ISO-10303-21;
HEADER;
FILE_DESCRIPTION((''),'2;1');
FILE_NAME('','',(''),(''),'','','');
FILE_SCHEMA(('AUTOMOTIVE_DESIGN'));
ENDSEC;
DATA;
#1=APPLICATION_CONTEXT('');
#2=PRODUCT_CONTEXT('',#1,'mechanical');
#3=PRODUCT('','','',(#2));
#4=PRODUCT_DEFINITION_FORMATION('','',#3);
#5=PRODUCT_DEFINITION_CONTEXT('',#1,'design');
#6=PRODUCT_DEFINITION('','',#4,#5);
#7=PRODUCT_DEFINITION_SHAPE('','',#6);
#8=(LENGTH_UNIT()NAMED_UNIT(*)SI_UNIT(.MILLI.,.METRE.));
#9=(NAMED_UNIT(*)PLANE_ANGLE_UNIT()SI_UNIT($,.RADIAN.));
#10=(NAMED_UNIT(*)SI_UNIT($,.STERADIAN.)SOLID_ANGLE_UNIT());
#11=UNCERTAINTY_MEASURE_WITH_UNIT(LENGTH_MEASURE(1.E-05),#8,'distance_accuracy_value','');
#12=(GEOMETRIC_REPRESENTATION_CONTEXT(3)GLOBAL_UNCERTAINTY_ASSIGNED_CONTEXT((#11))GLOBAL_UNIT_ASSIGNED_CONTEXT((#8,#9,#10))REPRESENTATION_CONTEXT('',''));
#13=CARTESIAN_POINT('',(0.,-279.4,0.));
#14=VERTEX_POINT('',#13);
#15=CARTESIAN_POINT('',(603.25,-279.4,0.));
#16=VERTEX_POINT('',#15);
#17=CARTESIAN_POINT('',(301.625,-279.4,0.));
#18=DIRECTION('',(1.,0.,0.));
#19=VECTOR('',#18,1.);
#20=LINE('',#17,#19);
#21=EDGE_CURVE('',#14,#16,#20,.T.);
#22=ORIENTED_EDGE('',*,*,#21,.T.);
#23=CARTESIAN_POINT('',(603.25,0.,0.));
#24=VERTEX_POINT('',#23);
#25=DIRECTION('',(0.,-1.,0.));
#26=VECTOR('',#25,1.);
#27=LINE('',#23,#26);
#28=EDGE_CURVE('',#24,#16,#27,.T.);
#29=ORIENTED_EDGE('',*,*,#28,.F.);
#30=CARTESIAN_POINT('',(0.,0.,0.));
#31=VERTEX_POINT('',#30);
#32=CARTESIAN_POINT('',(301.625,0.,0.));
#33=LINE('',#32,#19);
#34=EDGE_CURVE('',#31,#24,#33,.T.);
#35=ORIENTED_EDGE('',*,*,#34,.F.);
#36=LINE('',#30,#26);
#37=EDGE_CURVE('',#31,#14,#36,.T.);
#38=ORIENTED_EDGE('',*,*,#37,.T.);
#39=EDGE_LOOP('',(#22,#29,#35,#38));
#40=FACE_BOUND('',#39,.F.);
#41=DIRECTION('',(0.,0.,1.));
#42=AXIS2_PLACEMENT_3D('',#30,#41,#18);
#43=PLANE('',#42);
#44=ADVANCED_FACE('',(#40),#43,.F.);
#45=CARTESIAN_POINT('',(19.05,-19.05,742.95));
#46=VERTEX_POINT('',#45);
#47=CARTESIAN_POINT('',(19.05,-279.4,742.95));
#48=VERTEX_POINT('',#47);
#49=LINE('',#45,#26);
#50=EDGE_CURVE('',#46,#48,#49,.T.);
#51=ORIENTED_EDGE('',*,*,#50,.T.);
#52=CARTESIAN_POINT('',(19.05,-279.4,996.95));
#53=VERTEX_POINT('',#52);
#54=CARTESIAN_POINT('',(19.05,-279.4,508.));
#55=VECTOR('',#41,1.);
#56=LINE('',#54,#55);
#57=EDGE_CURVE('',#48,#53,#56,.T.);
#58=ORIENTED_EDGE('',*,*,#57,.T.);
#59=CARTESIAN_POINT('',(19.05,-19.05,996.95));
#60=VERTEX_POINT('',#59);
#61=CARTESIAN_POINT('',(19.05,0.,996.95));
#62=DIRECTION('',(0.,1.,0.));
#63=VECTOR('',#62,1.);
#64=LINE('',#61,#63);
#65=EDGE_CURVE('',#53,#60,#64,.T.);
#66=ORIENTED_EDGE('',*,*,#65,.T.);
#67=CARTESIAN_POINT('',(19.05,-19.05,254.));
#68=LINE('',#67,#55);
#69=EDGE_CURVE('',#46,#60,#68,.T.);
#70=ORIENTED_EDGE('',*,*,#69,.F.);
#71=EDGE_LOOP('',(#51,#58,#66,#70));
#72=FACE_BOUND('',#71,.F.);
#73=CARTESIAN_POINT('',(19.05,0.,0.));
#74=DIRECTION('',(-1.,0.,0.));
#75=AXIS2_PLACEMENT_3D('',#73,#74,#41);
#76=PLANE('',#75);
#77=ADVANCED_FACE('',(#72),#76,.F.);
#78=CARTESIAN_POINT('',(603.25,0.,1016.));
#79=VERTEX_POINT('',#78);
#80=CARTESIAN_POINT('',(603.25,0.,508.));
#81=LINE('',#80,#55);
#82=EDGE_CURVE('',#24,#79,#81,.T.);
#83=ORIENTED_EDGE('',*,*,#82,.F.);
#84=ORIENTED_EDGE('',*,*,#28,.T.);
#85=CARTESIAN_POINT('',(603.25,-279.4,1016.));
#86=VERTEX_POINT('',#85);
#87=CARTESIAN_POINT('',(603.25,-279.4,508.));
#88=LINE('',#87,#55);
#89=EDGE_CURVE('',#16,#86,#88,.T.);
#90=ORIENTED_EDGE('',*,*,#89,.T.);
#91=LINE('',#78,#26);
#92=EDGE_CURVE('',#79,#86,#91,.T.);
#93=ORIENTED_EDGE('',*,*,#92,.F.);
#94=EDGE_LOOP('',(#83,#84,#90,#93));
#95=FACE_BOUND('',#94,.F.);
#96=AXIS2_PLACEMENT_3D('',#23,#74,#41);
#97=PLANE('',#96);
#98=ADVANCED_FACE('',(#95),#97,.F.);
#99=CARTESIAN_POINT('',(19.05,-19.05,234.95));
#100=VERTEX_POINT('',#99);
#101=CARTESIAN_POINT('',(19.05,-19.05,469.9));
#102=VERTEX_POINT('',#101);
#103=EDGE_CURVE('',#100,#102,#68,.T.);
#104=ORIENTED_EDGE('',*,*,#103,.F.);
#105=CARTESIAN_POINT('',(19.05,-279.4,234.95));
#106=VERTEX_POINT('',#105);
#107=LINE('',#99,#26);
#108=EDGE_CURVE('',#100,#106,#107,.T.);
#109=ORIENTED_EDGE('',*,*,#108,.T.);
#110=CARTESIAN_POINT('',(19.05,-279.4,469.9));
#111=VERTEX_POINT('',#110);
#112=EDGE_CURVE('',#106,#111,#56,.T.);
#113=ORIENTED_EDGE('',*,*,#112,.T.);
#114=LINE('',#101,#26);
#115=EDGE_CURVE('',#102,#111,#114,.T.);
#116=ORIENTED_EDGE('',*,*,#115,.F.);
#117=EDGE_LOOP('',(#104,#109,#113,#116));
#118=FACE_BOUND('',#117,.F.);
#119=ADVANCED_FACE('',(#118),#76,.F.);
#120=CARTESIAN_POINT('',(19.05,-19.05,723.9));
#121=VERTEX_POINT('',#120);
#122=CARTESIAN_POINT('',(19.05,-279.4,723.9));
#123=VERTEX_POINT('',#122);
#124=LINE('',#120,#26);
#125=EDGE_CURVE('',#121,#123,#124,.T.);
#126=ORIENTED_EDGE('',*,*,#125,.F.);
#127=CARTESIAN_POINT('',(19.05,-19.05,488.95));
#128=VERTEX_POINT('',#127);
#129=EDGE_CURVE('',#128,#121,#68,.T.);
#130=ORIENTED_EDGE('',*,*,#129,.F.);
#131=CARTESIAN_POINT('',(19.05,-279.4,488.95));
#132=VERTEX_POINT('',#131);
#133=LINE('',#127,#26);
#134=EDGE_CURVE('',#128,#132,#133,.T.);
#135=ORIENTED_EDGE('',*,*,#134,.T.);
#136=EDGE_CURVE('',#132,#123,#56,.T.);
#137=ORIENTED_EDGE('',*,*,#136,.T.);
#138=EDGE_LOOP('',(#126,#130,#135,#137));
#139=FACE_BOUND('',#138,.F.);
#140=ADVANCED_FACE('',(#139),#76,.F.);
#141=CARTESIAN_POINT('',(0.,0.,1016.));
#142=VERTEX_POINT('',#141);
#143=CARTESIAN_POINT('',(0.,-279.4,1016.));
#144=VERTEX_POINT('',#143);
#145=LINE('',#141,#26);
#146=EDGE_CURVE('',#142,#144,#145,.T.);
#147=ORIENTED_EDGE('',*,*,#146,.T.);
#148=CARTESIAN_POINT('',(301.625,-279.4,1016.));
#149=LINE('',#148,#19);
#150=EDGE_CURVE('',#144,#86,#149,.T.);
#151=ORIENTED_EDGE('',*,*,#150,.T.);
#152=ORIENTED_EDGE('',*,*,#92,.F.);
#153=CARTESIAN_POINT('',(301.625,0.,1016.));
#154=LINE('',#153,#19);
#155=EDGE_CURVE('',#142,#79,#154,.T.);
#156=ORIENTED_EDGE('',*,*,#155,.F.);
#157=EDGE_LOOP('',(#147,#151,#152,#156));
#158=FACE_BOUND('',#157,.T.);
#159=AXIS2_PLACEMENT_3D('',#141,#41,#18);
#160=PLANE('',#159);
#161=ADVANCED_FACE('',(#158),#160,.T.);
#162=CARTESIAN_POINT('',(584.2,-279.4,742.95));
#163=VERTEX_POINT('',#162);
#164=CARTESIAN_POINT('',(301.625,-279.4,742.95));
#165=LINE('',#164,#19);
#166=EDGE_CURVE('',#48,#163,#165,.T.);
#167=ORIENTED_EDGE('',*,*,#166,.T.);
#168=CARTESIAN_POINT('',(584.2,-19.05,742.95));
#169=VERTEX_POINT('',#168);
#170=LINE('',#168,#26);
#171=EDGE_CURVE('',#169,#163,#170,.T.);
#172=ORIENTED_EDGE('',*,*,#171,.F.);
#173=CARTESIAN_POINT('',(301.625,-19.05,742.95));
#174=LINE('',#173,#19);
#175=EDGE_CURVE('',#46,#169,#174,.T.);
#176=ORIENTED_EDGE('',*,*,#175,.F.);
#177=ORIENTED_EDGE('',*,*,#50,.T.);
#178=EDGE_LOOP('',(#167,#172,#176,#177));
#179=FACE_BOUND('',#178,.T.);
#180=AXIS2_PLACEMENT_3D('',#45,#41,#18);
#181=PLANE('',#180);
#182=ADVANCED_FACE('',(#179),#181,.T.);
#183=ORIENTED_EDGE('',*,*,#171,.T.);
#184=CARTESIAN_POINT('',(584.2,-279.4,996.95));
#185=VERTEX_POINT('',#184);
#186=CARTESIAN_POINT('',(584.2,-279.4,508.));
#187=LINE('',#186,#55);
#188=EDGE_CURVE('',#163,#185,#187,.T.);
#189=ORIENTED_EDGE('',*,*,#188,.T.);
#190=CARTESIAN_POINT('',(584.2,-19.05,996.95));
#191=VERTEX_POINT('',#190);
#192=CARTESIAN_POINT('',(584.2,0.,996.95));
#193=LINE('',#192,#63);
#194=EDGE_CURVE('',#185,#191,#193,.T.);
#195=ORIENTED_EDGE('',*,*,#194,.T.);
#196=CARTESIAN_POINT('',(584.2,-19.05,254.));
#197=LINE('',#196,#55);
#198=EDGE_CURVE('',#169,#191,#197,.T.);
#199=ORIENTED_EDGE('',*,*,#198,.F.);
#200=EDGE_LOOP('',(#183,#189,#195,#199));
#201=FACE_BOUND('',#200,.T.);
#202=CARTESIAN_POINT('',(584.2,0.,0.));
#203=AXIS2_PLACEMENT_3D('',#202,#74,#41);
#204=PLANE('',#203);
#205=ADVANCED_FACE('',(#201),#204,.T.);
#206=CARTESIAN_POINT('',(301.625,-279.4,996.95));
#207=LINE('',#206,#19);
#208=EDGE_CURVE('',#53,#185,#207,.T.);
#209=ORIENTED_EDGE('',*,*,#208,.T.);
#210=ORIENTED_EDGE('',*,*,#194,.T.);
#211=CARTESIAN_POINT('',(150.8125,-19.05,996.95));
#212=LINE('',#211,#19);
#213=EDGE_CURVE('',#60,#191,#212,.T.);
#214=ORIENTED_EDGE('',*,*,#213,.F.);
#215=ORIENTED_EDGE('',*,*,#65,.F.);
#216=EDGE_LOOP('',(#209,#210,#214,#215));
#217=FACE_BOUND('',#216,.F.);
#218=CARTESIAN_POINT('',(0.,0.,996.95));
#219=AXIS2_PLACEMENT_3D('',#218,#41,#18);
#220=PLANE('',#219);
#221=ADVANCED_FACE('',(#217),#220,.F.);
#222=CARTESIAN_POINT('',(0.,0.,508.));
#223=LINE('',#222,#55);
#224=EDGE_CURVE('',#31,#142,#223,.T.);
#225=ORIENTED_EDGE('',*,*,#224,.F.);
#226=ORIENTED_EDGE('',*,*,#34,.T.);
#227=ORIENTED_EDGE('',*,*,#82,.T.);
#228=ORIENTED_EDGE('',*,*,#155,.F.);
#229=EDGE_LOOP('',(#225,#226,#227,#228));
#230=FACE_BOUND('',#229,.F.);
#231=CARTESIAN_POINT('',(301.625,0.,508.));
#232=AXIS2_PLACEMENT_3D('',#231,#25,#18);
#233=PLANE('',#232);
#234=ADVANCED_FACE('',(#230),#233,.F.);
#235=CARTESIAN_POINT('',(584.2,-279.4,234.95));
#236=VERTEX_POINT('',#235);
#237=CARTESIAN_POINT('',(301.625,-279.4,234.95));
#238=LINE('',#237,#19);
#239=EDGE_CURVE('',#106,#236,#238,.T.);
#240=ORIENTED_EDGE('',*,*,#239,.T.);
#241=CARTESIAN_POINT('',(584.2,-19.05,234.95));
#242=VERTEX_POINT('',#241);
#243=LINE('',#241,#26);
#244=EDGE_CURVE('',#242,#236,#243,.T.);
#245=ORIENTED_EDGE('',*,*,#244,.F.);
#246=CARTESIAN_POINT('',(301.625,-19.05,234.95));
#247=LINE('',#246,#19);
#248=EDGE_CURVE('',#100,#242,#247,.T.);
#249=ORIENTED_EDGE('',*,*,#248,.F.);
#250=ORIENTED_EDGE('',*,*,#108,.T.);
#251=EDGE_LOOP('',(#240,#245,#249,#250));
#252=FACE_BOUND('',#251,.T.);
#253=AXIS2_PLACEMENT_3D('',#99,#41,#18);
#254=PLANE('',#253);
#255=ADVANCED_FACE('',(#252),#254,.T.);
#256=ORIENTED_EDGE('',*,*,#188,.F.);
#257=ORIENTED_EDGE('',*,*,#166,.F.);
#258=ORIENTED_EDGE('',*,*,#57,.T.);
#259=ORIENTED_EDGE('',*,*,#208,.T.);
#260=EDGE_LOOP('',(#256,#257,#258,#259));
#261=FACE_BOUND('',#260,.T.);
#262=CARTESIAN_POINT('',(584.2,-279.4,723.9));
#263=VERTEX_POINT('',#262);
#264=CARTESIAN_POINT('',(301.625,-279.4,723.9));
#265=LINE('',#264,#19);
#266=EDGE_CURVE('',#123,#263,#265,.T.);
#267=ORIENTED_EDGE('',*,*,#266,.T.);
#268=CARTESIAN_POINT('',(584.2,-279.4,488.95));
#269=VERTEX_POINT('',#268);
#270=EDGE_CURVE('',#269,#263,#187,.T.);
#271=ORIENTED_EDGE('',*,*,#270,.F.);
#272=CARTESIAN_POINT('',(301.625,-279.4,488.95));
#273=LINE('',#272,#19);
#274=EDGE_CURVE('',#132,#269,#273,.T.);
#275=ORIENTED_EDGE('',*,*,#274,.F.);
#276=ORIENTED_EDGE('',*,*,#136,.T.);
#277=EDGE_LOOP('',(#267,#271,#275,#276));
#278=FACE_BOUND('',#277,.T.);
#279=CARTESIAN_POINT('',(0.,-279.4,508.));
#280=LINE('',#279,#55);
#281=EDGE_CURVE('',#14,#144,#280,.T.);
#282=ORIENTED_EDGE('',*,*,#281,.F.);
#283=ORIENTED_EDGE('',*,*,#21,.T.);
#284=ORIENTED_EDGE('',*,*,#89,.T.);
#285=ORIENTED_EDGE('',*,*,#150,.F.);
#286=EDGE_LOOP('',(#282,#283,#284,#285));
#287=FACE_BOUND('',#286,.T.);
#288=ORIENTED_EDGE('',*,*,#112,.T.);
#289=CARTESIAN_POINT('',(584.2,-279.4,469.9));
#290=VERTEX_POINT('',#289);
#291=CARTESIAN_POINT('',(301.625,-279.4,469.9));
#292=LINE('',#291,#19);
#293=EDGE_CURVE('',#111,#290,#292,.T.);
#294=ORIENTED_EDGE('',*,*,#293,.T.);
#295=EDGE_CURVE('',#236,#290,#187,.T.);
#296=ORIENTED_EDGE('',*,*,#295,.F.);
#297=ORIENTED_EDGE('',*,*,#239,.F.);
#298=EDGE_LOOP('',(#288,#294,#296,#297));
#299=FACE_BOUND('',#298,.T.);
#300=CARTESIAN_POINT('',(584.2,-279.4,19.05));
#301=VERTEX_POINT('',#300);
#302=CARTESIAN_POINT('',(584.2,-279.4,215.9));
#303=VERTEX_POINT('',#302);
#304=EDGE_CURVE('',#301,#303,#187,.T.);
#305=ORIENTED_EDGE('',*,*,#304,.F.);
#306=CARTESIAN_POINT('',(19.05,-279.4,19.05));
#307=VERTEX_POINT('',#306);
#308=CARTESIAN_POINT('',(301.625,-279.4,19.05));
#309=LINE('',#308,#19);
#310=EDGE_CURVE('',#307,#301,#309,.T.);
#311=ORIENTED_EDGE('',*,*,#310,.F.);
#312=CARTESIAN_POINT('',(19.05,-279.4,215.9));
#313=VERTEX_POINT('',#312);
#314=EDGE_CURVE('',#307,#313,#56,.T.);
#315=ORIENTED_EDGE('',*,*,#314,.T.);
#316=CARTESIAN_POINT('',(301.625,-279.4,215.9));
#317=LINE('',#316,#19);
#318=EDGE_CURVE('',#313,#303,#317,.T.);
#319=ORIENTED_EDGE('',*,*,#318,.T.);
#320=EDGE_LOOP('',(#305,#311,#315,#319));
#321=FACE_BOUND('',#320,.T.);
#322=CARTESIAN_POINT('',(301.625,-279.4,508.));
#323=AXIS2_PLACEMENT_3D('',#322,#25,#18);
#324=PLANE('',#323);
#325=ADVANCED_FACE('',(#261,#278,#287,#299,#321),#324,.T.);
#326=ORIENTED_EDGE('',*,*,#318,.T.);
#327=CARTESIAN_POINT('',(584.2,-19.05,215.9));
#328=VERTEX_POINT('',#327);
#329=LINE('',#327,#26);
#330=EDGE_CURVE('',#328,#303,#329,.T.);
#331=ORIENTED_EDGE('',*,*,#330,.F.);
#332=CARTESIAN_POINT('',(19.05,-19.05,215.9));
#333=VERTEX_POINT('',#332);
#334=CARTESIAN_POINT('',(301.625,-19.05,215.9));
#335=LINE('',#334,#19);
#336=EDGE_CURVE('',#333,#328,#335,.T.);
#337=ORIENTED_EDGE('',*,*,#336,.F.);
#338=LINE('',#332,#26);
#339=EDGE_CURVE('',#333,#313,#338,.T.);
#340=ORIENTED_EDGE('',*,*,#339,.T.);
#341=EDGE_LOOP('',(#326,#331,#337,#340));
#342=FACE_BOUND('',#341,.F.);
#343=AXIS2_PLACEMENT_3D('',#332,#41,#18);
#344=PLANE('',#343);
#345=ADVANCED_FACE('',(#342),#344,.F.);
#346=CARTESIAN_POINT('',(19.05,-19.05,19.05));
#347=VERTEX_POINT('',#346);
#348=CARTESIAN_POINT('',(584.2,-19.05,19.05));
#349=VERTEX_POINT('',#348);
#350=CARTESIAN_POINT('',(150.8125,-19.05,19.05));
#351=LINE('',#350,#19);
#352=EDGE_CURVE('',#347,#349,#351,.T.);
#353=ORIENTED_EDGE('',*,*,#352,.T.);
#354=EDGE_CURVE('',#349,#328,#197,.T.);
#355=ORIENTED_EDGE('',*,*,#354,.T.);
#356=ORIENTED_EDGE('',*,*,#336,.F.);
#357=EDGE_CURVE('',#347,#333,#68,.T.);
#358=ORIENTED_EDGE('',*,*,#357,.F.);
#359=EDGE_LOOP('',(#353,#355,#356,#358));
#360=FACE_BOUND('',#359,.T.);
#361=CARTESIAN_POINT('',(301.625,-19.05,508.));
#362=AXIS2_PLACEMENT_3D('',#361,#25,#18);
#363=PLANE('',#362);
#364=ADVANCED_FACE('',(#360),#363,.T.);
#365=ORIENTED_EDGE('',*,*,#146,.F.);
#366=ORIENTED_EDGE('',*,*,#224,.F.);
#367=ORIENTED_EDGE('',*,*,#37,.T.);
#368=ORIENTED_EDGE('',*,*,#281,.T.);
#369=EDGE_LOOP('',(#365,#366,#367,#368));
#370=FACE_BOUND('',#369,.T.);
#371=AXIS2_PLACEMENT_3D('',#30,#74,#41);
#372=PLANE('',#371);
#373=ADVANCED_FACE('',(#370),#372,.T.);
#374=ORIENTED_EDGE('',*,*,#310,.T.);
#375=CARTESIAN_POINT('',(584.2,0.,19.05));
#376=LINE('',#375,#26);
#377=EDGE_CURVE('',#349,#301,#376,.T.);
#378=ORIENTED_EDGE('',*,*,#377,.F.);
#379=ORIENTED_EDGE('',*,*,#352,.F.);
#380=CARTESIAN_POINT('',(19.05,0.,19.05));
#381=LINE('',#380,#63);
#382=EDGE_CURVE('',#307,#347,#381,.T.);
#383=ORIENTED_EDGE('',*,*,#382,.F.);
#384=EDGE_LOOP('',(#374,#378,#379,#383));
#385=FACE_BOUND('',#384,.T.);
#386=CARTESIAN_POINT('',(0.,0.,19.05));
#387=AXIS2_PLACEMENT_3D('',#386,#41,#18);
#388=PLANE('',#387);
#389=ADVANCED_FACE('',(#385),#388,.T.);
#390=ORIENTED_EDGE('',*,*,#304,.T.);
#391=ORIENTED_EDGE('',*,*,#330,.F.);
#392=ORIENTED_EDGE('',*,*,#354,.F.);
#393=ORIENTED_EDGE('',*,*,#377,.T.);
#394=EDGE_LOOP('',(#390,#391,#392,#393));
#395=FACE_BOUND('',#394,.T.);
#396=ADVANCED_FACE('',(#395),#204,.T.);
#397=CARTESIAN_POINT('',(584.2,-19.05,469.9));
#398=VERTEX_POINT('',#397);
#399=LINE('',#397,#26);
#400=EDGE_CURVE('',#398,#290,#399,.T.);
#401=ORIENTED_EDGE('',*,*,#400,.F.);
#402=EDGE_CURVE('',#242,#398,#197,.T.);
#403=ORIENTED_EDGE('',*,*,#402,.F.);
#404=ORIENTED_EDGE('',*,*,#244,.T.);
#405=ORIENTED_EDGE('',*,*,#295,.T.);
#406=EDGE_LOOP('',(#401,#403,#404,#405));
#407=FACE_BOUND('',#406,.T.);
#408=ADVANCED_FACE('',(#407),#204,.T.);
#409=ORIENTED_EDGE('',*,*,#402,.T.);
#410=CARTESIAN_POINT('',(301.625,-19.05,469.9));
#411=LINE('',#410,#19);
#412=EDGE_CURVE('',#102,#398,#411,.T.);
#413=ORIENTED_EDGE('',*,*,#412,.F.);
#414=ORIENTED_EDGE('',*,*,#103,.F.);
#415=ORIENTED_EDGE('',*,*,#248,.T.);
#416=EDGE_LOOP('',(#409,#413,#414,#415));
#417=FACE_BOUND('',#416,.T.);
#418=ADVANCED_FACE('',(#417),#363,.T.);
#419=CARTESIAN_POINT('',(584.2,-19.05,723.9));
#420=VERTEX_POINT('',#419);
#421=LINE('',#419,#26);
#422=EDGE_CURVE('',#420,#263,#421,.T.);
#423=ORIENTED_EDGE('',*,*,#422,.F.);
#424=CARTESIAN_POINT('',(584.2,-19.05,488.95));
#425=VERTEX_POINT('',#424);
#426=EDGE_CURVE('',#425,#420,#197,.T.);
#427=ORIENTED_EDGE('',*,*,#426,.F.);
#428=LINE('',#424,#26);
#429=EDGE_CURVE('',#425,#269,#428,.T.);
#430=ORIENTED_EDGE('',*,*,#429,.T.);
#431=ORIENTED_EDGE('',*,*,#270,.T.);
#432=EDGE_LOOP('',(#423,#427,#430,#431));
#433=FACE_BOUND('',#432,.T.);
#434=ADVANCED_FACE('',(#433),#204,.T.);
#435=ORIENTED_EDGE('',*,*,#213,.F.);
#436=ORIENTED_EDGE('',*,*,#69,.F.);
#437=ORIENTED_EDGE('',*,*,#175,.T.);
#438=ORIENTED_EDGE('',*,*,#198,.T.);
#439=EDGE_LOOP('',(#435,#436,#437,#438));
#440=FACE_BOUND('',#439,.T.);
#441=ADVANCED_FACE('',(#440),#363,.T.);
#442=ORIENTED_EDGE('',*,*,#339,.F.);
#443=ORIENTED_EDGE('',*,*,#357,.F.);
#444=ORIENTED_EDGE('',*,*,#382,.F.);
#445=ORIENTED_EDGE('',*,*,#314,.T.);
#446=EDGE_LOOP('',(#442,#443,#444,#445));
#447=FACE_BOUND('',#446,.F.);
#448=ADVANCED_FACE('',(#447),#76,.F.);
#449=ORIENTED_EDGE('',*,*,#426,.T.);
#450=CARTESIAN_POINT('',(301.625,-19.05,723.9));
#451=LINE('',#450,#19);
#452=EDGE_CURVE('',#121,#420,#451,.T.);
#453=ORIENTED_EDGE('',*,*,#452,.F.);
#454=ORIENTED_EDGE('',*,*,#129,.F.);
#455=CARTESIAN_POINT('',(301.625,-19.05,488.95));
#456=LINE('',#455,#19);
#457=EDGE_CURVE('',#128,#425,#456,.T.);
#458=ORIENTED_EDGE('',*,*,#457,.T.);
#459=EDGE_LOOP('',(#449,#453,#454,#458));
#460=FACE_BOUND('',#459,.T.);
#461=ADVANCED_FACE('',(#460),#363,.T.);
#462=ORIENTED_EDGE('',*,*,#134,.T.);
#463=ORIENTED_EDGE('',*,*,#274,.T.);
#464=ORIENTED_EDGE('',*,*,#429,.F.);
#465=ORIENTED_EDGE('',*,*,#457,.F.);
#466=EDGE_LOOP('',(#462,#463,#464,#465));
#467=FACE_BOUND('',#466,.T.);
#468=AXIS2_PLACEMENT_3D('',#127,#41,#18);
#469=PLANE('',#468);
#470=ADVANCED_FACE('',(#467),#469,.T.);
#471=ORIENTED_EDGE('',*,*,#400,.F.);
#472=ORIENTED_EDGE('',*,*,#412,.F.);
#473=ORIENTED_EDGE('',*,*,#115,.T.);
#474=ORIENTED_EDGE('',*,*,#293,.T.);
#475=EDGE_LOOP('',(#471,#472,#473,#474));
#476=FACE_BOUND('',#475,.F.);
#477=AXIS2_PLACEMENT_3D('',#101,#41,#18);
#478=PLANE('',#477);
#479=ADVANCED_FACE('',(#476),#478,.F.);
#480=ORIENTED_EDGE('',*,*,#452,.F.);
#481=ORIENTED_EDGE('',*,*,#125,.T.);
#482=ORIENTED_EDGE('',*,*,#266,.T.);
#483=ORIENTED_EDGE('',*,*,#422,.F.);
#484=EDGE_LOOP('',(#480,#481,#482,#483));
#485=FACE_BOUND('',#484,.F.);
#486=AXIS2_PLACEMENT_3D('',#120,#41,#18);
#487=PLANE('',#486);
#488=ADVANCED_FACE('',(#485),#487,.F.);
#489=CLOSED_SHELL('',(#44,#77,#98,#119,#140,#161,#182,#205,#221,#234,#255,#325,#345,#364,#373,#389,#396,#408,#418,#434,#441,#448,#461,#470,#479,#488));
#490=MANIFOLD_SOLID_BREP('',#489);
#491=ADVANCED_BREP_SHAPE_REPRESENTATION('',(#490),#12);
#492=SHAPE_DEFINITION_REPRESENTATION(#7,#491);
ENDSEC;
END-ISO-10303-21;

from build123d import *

# Parameters (mm, degrees)
F0_W     = 603.25
F0_H     = 1016
F1_DEPTH = 279.4
F2_T     = -19.05
F3_W     = 565.15
F3_H     = 19.05
F4_DEPTH = 260.35


with BuildPart() as f1:
    # F0 (on Front) → F1 (new body)
    with BuildSketch(Plane.XZ):
        with Locations((301.625, 508)):
            Rectangle(F0_W, F0_H)
    extrude(amount=F1_DEPTH)

    # F2
    f2_openings = [f1.faces().sort_by_distance(p)[0] for p in [
        (301.625, -279.4, 508),
    ]]
    offset(amount=F2_T, openings=f2_openings)

    # F3 (on face) → F4 (join)
    with BuildSketch(Plane.XZ.offset(19.05)):
        with Locations((301.625, 733.425)):
            Rectangle(F3_W, F3_H)
        with Locations((301.625, 479.425)):
            Rectangle(F3_W, F3_H)
        with Locations((301.625, 225.425)):
            Rectangle(F3_W, F3_H)
    extrude(amount=F4_DEPTH)


solid = f1.part
